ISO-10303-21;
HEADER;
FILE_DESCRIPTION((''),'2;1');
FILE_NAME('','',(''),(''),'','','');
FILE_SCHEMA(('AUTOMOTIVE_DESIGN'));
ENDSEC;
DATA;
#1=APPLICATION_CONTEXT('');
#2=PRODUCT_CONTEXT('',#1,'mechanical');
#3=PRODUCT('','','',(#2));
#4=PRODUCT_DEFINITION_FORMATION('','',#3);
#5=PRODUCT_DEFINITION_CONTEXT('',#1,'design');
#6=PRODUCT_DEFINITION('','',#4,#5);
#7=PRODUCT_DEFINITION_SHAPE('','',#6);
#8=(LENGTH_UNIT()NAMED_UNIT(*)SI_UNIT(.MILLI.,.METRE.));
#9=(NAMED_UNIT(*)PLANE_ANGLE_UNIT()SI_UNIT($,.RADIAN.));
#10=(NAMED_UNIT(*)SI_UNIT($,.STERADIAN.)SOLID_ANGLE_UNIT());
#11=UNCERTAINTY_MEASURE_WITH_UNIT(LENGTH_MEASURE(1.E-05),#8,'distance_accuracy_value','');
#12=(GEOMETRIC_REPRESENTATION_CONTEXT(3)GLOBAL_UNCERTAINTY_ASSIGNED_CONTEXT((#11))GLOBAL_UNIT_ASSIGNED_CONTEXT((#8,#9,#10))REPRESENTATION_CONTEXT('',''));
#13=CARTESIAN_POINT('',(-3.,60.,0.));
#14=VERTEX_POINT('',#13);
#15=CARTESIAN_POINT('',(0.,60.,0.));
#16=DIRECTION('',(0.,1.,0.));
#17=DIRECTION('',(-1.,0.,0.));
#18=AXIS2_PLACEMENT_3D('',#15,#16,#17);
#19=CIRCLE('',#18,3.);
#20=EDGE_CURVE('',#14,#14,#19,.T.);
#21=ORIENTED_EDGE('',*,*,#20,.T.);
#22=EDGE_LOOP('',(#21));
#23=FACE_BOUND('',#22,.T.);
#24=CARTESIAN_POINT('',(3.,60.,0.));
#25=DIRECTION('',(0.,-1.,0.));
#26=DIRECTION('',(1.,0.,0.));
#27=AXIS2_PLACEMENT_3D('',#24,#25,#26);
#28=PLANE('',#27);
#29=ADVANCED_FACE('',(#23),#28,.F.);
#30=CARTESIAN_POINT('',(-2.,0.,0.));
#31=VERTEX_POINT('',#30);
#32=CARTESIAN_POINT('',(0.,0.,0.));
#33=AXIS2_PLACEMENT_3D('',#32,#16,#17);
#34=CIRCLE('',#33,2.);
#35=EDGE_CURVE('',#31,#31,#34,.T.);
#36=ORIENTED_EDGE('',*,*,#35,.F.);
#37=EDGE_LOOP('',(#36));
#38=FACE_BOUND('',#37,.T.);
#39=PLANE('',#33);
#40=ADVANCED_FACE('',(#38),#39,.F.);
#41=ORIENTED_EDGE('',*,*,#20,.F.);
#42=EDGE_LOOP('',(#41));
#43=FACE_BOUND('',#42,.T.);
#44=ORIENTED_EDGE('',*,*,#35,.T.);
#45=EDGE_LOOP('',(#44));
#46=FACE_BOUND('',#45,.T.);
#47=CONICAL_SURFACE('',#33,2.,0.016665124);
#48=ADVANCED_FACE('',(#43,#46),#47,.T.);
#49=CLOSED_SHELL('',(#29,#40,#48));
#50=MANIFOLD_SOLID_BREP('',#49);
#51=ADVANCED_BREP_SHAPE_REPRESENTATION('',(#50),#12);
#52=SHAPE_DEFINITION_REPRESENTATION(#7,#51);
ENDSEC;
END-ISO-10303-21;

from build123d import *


with BuildPart() as part:
    # Sketch1 → Revolve1 (revolve)
    with BuildSketch(Plane.XY, mode=Mode.PRIVATE) as revolve1_sk:
        Polygon((0, 0), (2, 0), (3, 60), (0, 60), align=None)
    revolve(revolve1_sk.sketch.rotate(Axis((0, 60, 0), (0, -1, 0)), 180), axis=Axis((0, 60, 0), (0, -1, 0)))


solid = part.part
